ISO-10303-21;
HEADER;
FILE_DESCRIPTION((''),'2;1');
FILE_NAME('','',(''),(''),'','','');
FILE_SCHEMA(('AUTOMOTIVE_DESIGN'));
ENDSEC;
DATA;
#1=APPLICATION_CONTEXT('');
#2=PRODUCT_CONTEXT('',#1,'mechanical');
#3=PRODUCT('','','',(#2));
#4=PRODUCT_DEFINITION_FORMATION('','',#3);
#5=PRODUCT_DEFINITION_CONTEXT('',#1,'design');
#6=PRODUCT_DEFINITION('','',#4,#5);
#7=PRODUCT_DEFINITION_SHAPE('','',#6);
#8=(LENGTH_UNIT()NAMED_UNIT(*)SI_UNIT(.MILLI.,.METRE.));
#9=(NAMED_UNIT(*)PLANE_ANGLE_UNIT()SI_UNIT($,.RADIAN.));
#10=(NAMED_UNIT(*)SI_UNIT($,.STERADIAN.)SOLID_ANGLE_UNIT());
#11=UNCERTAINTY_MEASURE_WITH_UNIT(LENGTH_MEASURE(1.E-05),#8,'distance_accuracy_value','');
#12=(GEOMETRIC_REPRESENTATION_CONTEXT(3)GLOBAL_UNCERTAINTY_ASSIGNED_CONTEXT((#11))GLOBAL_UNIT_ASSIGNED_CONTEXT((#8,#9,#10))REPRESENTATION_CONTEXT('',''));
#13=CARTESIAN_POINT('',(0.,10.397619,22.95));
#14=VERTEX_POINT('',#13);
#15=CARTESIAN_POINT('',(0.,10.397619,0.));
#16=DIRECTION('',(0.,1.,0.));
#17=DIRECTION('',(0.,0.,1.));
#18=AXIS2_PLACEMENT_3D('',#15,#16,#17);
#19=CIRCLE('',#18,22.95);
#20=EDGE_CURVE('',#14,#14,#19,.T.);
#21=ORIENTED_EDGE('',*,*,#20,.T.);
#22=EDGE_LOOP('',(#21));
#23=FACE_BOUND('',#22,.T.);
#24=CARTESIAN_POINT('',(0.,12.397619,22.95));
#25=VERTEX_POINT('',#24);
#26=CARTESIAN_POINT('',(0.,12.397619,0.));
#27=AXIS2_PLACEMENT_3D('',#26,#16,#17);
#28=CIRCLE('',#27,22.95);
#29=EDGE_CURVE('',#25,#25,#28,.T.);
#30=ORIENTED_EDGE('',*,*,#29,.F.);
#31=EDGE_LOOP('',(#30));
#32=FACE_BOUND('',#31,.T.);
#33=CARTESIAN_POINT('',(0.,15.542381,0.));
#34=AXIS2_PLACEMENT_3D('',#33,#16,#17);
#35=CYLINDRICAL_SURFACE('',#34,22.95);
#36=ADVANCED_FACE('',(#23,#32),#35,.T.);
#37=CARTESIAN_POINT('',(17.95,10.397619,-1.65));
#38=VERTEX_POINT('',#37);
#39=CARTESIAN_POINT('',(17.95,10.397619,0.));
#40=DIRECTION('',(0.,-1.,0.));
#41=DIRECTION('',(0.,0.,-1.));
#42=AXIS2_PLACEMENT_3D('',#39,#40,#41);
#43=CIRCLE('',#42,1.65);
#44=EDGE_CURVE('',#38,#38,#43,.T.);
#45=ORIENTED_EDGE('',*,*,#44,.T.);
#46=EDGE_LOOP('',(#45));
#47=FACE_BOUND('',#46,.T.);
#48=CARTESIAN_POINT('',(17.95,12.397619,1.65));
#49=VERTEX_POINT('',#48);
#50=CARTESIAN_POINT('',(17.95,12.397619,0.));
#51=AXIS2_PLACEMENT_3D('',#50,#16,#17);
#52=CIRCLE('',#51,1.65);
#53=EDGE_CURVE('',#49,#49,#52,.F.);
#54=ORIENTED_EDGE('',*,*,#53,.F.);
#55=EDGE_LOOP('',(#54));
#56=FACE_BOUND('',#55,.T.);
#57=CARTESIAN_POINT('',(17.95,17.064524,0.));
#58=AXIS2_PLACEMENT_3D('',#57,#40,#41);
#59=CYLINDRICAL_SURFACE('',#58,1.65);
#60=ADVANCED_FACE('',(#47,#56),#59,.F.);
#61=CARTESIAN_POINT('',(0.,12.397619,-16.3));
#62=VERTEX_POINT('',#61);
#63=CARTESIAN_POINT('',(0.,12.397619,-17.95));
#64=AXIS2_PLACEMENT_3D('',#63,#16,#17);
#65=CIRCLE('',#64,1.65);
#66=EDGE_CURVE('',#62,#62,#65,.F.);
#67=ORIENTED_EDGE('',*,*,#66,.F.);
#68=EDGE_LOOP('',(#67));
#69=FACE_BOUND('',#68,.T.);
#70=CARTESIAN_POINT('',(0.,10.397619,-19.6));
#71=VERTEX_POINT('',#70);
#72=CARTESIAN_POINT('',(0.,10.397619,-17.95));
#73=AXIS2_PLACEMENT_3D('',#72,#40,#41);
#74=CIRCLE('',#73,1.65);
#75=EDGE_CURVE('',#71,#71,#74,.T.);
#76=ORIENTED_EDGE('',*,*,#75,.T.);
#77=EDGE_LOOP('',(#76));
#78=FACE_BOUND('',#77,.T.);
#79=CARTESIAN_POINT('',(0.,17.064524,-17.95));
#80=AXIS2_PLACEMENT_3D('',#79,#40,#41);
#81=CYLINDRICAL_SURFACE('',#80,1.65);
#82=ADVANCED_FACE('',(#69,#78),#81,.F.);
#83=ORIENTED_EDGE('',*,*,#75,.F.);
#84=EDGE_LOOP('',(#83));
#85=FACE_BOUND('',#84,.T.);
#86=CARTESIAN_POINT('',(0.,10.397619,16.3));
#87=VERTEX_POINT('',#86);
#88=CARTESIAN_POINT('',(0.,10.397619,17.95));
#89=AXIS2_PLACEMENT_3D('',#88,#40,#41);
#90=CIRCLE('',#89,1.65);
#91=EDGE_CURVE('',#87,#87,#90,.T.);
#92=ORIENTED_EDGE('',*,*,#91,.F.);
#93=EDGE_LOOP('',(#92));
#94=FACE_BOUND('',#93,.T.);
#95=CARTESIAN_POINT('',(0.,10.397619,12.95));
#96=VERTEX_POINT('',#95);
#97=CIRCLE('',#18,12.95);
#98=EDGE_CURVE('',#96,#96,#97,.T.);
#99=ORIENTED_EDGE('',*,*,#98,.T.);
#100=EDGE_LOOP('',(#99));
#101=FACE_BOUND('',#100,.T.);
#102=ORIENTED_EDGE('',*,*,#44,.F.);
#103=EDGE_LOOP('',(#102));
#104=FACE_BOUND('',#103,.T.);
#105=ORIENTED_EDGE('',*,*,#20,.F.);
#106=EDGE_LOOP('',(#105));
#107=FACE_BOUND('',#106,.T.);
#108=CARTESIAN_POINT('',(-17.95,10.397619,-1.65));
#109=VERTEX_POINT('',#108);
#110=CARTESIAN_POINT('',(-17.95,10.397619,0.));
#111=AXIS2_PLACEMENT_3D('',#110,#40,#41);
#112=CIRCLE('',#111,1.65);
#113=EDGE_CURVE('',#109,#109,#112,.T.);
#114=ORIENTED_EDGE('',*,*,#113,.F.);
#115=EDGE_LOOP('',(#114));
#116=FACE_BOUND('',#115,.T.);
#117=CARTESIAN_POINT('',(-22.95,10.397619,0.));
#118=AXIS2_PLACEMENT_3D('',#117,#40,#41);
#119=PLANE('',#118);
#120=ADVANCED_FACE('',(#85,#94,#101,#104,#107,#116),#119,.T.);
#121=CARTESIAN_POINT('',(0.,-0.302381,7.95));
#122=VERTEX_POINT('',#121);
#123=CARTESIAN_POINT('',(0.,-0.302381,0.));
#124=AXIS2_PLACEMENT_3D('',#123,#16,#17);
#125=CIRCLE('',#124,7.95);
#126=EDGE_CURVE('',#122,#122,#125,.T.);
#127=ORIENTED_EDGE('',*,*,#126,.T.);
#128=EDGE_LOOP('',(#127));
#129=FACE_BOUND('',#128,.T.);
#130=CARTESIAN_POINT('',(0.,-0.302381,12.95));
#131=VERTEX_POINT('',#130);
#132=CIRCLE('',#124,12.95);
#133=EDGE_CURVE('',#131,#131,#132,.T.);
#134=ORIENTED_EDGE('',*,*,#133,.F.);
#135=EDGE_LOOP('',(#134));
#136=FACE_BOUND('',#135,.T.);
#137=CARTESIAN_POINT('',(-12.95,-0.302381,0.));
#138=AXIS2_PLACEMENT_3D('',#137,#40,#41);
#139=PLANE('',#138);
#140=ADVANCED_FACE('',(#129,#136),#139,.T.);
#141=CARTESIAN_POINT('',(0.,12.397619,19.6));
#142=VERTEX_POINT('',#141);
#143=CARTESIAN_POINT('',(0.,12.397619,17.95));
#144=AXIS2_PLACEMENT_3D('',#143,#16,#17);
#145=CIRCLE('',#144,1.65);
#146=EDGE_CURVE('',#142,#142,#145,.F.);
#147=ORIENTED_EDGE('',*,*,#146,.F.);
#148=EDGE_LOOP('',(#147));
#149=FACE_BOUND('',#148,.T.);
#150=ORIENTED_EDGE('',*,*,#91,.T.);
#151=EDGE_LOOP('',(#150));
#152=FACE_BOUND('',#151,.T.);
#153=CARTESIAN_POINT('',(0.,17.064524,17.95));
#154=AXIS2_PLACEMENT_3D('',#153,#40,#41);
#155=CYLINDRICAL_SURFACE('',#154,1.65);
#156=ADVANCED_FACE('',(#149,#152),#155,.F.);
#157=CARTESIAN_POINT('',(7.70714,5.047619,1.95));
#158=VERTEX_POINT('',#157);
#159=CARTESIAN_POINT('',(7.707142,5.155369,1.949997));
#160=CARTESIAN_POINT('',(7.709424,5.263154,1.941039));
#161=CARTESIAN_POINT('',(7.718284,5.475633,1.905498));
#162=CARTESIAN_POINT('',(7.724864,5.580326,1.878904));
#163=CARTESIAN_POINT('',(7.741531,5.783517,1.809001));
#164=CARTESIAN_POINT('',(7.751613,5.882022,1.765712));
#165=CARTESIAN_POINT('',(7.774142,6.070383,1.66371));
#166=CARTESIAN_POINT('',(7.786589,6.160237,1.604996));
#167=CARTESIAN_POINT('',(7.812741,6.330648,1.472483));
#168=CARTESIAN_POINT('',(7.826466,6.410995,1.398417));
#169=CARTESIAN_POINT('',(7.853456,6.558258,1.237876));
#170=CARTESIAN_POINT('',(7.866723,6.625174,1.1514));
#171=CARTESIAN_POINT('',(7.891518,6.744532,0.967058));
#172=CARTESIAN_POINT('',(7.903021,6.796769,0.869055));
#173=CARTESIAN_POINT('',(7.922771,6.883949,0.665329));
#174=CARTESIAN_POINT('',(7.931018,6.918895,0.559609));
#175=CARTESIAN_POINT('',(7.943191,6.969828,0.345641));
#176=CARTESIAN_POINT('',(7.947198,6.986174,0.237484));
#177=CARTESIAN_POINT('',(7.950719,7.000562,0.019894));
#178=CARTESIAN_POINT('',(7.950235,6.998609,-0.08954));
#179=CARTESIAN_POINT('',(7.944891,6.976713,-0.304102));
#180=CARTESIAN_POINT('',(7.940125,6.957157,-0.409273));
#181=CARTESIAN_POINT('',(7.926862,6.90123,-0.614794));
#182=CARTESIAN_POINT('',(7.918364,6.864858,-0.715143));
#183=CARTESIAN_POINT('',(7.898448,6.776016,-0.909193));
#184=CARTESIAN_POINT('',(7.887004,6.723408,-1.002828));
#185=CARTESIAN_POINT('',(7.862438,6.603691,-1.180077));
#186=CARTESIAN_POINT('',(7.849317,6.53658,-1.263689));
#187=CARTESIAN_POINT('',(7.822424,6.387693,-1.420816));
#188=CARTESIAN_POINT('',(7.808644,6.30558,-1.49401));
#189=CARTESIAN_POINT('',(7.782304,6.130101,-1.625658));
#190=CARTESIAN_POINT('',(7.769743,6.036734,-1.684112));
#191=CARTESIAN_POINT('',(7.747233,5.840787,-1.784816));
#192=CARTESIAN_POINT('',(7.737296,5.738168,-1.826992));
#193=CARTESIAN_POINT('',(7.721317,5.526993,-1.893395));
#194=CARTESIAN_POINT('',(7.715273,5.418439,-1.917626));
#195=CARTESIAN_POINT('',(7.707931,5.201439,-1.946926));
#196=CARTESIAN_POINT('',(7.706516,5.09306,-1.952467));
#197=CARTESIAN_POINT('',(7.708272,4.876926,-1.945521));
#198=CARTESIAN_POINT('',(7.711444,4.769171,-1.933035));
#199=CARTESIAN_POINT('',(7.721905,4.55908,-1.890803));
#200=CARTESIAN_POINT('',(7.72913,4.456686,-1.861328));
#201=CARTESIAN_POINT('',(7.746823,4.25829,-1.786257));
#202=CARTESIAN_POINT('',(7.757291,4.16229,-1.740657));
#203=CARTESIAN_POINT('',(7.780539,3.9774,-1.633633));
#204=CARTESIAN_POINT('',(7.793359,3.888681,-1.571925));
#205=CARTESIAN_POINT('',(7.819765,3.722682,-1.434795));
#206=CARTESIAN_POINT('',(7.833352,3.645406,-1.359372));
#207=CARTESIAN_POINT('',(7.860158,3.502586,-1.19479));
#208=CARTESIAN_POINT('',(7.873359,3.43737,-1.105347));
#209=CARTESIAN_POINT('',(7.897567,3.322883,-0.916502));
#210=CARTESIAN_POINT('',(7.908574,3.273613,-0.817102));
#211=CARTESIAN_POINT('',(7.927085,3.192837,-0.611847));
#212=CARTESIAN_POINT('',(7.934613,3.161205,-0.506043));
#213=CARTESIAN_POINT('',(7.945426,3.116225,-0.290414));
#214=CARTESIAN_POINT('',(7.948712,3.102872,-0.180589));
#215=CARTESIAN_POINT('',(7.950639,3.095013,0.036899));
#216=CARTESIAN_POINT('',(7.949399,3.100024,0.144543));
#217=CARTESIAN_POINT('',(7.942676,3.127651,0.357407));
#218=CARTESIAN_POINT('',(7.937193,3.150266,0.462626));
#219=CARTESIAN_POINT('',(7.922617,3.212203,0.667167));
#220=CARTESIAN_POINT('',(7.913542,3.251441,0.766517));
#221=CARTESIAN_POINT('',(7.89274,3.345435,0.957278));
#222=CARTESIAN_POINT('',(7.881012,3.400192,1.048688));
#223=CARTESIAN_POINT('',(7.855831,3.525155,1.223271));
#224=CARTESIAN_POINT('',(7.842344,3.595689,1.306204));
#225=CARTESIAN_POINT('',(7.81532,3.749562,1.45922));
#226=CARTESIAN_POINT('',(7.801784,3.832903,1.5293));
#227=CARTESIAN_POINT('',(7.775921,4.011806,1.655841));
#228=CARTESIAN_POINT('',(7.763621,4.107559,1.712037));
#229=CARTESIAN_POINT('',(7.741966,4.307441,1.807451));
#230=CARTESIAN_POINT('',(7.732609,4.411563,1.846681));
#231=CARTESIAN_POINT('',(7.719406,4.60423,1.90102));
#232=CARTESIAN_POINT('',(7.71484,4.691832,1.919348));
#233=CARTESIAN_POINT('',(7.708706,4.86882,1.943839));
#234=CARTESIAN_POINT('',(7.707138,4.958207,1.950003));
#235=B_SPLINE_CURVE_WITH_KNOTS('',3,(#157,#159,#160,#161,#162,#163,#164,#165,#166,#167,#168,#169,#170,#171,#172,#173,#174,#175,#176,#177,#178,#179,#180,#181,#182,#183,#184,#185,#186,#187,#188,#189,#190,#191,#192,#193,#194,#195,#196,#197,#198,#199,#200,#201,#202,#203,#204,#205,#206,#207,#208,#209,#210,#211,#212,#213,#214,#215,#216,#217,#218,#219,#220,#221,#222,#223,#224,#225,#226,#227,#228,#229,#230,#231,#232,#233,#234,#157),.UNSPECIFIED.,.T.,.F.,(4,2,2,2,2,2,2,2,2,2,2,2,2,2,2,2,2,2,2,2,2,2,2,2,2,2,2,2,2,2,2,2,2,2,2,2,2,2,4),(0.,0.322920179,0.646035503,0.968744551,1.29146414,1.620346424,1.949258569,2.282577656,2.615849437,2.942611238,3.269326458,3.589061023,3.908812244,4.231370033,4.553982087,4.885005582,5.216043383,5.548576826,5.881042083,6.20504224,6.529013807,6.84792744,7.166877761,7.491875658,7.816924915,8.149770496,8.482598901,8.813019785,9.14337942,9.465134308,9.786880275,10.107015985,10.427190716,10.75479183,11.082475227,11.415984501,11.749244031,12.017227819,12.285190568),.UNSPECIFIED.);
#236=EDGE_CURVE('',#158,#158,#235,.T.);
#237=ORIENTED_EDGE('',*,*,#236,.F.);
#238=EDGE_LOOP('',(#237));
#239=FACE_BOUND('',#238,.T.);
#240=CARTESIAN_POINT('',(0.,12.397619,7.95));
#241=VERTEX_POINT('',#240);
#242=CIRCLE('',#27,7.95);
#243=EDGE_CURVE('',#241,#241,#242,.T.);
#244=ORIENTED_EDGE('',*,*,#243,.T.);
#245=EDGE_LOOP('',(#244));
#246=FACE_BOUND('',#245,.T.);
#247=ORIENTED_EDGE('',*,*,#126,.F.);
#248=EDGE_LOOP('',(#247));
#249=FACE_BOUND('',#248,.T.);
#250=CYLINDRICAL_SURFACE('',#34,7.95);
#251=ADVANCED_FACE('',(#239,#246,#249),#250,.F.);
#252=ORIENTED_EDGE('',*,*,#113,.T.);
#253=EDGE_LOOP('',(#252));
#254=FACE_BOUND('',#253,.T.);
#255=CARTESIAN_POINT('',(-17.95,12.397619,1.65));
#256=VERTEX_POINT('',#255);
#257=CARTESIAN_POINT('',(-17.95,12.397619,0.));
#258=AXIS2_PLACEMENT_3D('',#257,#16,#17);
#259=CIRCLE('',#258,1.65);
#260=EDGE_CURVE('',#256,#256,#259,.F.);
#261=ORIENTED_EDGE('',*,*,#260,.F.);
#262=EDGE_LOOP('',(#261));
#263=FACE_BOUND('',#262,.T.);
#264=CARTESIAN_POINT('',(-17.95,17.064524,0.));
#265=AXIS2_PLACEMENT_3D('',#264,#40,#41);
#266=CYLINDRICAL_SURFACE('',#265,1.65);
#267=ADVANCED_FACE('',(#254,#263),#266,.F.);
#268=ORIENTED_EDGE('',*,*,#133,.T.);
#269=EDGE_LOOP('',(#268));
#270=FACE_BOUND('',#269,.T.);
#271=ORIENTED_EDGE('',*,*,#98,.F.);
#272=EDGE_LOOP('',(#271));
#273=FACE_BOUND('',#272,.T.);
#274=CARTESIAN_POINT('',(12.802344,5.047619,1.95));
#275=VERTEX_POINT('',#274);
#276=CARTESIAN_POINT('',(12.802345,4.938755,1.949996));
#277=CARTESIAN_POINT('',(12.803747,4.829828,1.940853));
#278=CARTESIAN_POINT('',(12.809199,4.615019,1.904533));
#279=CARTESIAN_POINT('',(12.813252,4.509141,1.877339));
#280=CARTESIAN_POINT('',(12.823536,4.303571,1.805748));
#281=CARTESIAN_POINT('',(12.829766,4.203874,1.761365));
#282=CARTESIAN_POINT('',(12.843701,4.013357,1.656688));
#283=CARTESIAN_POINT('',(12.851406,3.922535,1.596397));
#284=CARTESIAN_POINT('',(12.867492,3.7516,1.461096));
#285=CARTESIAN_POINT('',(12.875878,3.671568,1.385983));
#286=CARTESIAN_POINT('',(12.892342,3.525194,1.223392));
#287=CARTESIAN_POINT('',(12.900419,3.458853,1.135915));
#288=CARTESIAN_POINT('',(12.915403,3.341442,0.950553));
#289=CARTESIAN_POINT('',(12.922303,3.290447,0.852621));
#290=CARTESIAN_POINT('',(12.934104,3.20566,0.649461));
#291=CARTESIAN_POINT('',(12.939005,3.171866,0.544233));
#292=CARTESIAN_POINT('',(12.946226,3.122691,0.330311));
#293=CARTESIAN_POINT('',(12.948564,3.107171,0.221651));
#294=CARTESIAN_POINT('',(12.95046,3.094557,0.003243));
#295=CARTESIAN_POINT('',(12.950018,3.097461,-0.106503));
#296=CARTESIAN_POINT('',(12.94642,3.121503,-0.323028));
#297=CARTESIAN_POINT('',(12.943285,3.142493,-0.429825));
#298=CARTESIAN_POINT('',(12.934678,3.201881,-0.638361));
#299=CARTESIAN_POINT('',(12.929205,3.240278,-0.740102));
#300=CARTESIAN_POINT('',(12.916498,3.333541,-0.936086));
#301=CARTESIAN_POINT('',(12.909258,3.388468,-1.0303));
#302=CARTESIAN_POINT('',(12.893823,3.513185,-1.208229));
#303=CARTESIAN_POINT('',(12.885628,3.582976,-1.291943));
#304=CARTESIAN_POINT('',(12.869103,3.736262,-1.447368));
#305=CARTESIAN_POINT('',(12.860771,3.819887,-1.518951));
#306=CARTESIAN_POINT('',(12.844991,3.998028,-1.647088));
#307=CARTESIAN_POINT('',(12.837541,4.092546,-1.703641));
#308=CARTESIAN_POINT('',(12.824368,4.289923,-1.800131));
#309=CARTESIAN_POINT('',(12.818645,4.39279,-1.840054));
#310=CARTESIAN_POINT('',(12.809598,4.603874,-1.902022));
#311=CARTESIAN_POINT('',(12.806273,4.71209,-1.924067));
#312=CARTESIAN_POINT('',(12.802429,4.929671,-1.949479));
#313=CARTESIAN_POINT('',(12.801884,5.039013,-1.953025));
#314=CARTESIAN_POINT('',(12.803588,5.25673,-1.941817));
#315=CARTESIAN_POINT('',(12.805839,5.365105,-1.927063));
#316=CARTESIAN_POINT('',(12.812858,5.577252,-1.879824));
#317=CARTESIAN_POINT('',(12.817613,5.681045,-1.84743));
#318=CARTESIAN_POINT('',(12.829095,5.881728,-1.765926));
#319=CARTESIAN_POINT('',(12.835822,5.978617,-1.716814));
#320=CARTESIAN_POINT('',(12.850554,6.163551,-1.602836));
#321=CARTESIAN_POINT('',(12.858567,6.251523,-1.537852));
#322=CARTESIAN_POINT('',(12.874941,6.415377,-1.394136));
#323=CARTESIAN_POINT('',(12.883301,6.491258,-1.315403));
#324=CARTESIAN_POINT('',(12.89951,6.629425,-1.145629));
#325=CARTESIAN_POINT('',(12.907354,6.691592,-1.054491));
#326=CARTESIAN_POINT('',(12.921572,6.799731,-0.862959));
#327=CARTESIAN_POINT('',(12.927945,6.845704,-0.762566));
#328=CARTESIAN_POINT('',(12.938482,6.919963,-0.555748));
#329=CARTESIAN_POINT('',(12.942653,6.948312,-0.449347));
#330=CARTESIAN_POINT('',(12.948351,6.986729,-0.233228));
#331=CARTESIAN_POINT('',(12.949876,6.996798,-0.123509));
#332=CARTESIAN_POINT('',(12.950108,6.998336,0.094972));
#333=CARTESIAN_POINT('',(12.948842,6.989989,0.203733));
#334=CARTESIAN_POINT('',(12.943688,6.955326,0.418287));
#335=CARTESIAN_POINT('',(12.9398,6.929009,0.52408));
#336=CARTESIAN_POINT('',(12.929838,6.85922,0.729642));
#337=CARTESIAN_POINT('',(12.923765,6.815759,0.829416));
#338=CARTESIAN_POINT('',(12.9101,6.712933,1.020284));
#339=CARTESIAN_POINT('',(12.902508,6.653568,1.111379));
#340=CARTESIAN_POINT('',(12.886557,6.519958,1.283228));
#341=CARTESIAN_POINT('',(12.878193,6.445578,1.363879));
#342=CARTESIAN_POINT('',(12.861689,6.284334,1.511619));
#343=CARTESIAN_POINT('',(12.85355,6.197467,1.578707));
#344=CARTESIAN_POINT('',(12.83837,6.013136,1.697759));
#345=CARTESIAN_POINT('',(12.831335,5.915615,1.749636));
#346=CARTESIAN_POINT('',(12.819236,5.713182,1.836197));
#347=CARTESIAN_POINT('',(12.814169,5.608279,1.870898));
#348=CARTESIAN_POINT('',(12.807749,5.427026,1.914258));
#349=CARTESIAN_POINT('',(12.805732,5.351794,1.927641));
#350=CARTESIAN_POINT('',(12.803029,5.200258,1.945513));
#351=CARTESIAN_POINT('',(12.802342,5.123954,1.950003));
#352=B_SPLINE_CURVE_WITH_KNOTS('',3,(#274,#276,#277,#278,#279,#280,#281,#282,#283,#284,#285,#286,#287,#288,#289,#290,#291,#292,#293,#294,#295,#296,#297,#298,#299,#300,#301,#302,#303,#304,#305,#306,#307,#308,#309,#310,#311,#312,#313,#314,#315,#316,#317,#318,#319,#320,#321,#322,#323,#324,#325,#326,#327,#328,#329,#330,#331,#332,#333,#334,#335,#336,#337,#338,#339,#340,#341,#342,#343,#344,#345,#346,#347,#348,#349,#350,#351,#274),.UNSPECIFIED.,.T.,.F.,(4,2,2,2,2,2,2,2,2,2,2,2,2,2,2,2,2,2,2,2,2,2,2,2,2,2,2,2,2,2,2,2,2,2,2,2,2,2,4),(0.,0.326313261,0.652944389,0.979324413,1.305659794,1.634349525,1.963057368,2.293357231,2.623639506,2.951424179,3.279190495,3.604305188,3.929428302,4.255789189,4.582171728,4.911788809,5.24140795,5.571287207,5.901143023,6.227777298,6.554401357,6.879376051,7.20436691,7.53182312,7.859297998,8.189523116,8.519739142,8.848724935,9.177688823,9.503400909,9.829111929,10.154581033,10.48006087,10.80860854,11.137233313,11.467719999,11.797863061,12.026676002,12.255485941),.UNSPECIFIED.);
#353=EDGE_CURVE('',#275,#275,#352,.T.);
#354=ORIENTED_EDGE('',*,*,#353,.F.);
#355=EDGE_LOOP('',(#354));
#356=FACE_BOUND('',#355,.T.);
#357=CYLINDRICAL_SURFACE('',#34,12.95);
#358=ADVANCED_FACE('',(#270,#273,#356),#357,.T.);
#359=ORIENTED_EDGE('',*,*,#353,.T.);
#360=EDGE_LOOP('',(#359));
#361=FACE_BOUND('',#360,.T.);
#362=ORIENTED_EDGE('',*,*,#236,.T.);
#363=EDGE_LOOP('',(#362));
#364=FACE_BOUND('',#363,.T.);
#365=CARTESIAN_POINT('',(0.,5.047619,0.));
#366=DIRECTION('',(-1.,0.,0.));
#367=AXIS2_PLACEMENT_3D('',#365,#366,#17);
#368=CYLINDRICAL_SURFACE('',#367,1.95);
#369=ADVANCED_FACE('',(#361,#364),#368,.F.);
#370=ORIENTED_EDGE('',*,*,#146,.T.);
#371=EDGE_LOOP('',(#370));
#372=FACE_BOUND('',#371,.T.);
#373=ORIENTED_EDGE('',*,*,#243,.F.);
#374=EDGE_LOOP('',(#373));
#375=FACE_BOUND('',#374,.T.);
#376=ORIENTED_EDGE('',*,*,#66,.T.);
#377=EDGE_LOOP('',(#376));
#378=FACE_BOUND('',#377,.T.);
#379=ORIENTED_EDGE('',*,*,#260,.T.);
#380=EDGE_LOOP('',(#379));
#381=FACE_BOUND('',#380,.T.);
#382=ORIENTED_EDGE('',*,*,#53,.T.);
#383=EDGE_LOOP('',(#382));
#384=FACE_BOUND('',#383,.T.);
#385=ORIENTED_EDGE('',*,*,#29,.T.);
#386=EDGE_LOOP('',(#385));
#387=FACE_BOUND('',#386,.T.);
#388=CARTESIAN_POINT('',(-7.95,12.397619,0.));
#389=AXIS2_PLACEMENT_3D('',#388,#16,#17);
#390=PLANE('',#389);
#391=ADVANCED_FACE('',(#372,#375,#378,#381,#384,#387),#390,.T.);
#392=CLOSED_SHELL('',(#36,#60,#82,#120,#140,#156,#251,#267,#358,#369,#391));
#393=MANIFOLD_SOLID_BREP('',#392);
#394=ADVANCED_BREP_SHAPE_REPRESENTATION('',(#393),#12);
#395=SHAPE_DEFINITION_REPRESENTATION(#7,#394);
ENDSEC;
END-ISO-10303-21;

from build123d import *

# Parameters (mm, degrees)
SKETCH6_R          = 1.65
CUT_EXTRUDE1_DEPTH = 2


with BuildPart() as part:
    # Sketch1 → Revolve1 (revolve)
    with BuildSketch(Plane.XY, mode=Mode.PRIVATE) as revolve1_sk:
        Polygon((-7.95, 12.397619048), (-22.95, 12.397619048), (-22.95, 10.397619048), (-12.95, 10.397619048), (-12.95, -0.302380952), (-7.95, -0.302380952), align=None)
    revolve(revolve1_sk.sketch.rotate(Axis((0, 15.542380952, 0), (0, -1, 0)), 270), axis=Axis((0, 15.542380952, 0), (0, -1, 0)))

    # Sketch5 → M3.5 Clearance Hole1 (revolve, cut)
    with BuildSketch(Plane.ZX.offset(5.047619048)):
        Polygon((0, 0), (0, 15.141678207), (1.95, 13.97), (1.95, 0), align=None)
    revolve(axis=Axis((-6.35, 5.047619048, 0), (1, 0, 0)), mode=Mode.SUBTRACT)

    # Sketch6 → Cut-Extrude1 (cut)
    with BuildSketch(Plane.XZ.offset(-10.397619048)):
        with BuildLine():
            ThreePointArc((1.65, 17.95), (1.166726189, 19.116726189), (0, 19.6))
            Line((0, 19.6), (0, 16.3))
            ThreePointArc((0, 16.3), (1.166726189, 16.783273811), (1.65, 17.95))
        make_face()
        with BuildLine():
            Line((0, 16.3), (0, 19.6))
            ThreePointArc((0, 19.6), (-1.65, 17.95), (0, 16.3))
        make_face()
        with Locations(Location((17.95, 0, 0), (0, 0, 270))):
            Circle(SKETCH6_R)
        with BuildLine():
            ThreePointArc((1.65, -17.95), (1.166726189, -16.783273811), (0, -16.3))
            Line((0, -16.3), (0, -19.6))
            ThreePointArc((0, -19.6), (1.166726189, -19.116726189), (1.65, -17.95))
        make_face()
        with BuildLine():
            Line((0, -19.6), (0, -16.3))
            ThreePointArc((0, -16.3), (-1.65, -17.95), (0, -19.6))
        make_face()
        with Locations(Location((-17.95, 0, 0), (0, 0, 270))):
            Circle(SKETCH6_R)
    extrude(amount=-CUT_EXTRUDE1_DEPTH, mode=Mode.SUBTRACT)


solid = part.part
